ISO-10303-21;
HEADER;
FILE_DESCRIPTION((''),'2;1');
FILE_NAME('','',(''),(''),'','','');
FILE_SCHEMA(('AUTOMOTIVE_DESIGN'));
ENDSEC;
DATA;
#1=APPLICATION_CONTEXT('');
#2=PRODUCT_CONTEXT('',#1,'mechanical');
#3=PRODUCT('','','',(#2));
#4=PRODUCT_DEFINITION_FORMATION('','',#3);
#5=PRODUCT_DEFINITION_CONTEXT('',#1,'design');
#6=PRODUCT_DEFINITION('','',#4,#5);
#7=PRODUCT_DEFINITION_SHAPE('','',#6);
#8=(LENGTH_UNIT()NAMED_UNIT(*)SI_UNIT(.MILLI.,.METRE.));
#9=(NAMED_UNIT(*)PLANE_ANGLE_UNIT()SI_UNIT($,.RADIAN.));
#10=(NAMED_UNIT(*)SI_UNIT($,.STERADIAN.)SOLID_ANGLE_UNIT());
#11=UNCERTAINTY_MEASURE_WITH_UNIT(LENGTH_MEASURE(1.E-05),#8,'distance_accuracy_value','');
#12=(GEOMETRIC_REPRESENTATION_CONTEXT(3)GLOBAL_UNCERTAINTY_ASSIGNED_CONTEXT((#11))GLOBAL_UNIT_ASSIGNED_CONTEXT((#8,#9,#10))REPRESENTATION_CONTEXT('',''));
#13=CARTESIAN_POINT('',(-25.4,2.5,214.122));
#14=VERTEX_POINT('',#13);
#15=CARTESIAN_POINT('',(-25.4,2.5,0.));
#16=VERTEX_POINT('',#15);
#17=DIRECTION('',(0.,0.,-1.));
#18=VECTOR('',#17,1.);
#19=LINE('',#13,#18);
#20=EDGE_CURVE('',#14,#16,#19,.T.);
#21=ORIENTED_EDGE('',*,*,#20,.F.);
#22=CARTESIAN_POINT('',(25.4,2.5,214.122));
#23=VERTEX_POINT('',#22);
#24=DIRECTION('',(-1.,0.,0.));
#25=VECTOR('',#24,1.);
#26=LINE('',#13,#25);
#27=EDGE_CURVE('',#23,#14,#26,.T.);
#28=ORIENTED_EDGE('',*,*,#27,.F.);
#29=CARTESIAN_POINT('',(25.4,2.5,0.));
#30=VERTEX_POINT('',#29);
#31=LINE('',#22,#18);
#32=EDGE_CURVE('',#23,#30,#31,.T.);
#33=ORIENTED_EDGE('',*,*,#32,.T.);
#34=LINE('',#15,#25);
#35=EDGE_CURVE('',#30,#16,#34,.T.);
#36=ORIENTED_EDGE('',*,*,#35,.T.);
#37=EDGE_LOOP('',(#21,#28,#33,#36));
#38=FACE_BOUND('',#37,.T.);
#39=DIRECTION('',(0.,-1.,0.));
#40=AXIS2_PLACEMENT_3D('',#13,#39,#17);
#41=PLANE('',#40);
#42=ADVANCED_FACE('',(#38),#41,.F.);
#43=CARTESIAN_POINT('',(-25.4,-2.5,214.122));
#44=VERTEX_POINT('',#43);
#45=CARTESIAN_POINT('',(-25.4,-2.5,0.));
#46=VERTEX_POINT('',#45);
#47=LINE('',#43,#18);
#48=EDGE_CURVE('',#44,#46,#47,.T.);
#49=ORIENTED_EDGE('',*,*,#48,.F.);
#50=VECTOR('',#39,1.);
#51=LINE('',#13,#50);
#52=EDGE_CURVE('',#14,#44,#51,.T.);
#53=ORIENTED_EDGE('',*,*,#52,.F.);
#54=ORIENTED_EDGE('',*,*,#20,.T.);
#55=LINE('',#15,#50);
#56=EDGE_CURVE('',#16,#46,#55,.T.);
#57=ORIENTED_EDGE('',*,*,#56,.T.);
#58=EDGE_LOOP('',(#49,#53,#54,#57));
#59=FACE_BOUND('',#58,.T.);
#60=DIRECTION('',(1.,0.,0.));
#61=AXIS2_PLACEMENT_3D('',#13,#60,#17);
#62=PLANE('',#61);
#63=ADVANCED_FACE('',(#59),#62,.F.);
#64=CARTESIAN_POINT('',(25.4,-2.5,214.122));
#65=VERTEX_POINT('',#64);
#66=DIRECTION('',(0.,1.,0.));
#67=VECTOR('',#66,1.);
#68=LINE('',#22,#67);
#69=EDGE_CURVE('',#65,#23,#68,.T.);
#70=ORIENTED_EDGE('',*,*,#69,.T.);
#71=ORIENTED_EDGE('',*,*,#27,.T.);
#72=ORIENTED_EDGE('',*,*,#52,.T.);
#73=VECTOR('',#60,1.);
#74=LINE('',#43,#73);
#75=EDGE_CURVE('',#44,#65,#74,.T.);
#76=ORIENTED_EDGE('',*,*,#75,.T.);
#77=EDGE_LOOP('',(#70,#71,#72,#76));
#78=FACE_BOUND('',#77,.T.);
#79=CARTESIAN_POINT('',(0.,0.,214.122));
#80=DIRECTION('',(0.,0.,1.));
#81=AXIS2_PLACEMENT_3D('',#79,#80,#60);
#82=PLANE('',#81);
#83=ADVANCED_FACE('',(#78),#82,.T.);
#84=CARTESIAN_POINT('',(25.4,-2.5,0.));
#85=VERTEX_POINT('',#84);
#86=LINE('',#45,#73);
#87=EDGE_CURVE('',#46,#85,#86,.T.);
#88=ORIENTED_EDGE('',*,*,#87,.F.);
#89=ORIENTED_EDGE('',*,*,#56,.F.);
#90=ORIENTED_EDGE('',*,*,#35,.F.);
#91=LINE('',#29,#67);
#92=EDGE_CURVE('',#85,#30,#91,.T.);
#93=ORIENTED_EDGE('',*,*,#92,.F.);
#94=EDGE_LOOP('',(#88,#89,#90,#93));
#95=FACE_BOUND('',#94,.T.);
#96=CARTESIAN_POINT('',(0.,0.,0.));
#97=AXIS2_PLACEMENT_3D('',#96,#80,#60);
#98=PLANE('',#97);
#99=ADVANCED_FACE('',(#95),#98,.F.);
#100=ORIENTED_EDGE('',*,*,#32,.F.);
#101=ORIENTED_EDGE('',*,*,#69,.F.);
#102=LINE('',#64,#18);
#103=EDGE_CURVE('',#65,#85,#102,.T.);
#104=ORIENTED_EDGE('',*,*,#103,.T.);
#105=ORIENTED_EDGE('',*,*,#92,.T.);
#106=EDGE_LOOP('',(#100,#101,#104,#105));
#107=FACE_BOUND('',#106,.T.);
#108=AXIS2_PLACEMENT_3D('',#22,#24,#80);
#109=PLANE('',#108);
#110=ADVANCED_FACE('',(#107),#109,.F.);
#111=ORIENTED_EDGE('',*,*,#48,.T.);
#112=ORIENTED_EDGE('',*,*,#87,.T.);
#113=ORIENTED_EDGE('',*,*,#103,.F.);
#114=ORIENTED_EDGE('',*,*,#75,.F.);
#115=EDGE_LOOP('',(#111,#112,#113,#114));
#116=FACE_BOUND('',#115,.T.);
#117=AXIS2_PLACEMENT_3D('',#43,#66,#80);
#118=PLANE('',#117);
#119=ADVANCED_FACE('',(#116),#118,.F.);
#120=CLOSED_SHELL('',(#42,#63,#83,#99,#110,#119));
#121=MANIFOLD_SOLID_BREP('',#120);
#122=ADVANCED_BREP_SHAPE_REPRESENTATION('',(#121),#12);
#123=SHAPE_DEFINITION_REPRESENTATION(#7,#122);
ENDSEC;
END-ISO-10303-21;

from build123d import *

# Parameters (mm, degrees)
SKETCH1_W           = 50.8
SKETCH1_H           = 5
BOSS_EXTRUDE1_DEPTH = 214.122


with BuildPart() as part:
    # Sketch1 → Boss-Extrude1 (new body)
    with BuildSketch(Plane.XY):
        Rectangle(SKETCH1_W, SKETCH1_H)
    extrude(amount=BOSS_EXTRUDE1_DEPTH)


solid = part.part
